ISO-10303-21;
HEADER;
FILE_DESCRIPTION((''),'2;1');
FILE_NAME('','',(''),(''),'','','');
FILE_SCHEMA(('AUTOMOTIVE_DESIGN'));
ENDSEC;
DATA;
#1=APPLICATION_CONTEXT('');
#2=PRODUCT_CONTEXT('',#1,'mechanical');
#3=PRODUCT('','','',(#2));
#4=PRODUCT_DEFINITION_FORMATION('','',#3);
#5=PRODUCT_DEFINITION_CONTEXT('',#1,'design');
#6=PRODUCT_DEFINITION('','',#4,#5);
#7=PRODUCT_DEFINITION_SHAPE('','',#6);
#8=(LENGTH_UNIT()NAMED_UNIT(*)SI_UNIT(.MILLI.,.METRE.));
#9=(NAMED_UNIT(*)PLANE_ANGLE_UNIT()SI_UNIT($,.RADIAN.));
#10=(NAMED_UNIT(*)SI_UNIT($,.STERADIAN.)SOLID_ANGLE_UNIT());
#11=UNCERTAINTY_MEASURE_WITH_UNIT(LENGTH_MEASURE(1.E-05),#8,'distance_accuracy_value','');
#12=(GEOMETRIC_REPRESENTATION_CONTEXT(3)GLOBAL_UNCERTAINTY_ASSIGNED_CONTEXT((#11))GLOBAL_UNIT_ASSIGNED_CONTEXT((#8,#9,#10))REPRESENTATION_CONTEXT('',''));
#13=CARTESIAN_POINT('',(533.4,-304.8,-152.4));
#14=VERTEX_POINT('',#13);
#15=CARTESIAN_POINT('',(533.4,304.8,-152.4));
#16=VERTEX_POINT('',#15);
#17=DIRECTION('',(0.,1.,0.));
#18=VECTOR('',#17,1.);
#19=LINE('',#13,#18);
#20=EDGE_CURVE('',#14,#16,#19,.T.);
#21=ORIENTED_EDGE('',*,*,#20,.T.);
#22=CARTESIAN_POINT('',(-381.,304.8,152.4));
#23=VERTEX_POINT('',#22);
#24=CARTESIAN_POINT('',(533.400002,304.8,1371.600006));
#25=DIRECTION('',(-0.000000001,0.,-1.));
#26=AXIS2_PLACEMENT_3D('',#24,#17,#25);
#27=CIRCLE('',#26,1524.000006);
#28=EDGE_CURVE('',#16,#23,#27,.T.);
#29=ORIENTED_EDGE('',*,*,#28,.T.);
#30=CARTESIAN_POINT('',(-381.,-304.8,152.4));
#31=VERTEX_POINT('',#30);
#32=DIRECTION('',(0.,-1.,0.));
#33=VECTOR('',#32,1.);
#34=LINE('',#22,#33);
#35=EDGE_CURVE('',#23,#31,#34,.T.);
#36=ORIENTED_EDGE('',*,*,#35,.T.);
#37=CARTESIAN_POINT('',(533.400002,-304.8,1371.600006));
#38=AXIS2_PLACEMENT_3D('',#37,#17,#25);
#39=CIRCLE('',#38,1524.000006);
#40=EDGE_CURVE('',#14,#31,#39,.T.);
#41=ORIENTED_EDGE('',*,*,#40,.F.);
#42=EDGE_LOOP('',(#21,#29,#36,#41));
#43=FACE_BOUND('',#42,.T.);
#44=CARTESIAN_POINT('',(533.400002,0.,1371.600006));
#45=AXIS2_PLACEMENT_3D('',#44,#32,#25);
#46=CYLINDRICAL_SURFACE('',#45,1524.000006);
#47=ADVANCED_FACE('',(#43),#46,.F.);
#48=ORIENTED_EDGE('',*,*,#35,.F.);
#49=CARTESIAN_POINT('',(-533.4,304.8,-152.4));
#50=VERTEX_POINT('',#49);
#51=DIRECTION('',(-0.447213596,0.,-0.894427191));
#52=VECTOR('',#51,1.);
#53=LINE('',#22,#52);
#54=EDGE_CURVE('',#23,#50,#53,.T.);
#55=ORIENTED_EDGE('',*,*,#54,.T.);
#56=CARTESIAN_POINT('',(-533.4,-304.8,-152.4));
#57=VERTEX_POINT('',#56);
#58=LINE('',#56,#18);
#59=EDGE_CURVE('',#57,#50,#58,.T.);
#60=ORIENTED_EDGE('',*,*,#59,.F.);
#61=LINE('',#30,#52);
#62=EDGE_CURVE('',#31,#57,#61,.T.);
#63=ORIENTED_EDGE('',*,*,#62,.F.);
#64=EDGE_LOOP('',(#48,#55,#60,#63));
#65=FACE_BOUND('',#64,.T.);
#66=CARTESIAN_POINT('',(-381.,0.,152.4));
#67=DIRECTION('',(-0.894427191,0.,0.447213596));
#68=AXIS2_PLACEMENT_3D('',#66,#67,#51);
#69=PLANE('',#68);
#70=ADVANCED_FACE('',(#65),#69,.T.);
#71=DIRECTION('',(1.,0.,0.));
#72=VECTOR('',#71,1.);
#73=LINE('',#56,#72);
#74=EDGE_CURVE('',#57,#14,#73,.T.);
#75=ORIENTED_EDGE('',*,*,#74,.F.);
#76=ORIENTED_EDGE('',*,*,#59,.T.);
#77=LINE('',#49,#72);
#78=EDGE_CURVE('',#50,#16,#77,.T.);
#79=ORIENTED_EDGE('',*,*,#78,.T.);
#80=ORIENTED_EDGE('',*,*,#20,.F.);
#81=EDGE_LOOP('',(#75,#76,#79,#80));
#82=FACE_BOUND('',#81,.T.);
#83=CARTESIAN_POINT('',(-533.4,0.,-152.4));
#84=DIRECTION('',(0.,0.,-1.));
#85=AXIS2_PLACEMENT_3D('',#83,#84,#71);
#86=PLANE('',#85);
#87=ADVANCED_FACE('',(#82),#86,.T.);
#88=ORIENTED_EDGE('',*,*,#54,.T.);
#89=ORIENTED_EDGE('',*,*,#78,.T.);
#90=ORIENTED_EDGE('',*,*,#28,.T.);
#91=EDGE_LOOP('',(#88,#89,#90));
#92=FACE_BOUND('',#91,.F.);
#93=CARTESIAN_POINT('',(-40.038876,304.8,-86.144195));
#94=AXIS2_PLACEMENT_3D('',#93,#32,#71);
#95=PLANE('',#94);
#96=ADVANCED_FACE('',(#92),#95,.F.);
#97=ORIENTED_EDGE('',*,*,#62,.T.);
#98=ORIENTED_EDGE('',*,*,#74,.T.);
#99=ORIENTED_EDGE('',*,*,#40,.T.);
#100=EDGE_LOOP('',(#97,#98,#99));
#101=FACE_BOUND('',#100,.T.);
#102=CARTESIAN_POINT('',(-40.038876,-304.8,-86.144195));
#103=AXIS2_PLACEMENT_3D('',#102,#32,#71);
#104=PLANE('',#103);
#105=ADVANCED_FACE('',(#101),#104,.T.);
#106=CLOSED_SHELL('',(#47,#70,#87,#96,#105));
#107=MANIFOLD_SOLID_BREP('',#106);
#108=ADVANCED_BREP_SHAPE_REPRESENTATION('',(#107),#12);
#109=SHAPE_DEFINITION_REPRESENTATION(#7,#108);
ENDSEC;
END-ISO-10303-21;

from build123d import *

# Parameters (mm, degrees)
F1_DEPTH = 304.8


with BuildPart() as f1:
    # F0 (on Front) → F1 (new body, symmetric)
    with BuildSketch(Plane.XZ):
        with BuildLine():
            ThreePointArc((533.4, -152.4), (51.468885, -74.193346), (-381, 152.4))
            Line((-381, 152.4), (-533.4, -152.4))
            Line((-533.4, -152.4), (533.4, -152.4))
        make_face()
    extrude(amount=F1_DEPTH, both=True)


solid = f1.part
